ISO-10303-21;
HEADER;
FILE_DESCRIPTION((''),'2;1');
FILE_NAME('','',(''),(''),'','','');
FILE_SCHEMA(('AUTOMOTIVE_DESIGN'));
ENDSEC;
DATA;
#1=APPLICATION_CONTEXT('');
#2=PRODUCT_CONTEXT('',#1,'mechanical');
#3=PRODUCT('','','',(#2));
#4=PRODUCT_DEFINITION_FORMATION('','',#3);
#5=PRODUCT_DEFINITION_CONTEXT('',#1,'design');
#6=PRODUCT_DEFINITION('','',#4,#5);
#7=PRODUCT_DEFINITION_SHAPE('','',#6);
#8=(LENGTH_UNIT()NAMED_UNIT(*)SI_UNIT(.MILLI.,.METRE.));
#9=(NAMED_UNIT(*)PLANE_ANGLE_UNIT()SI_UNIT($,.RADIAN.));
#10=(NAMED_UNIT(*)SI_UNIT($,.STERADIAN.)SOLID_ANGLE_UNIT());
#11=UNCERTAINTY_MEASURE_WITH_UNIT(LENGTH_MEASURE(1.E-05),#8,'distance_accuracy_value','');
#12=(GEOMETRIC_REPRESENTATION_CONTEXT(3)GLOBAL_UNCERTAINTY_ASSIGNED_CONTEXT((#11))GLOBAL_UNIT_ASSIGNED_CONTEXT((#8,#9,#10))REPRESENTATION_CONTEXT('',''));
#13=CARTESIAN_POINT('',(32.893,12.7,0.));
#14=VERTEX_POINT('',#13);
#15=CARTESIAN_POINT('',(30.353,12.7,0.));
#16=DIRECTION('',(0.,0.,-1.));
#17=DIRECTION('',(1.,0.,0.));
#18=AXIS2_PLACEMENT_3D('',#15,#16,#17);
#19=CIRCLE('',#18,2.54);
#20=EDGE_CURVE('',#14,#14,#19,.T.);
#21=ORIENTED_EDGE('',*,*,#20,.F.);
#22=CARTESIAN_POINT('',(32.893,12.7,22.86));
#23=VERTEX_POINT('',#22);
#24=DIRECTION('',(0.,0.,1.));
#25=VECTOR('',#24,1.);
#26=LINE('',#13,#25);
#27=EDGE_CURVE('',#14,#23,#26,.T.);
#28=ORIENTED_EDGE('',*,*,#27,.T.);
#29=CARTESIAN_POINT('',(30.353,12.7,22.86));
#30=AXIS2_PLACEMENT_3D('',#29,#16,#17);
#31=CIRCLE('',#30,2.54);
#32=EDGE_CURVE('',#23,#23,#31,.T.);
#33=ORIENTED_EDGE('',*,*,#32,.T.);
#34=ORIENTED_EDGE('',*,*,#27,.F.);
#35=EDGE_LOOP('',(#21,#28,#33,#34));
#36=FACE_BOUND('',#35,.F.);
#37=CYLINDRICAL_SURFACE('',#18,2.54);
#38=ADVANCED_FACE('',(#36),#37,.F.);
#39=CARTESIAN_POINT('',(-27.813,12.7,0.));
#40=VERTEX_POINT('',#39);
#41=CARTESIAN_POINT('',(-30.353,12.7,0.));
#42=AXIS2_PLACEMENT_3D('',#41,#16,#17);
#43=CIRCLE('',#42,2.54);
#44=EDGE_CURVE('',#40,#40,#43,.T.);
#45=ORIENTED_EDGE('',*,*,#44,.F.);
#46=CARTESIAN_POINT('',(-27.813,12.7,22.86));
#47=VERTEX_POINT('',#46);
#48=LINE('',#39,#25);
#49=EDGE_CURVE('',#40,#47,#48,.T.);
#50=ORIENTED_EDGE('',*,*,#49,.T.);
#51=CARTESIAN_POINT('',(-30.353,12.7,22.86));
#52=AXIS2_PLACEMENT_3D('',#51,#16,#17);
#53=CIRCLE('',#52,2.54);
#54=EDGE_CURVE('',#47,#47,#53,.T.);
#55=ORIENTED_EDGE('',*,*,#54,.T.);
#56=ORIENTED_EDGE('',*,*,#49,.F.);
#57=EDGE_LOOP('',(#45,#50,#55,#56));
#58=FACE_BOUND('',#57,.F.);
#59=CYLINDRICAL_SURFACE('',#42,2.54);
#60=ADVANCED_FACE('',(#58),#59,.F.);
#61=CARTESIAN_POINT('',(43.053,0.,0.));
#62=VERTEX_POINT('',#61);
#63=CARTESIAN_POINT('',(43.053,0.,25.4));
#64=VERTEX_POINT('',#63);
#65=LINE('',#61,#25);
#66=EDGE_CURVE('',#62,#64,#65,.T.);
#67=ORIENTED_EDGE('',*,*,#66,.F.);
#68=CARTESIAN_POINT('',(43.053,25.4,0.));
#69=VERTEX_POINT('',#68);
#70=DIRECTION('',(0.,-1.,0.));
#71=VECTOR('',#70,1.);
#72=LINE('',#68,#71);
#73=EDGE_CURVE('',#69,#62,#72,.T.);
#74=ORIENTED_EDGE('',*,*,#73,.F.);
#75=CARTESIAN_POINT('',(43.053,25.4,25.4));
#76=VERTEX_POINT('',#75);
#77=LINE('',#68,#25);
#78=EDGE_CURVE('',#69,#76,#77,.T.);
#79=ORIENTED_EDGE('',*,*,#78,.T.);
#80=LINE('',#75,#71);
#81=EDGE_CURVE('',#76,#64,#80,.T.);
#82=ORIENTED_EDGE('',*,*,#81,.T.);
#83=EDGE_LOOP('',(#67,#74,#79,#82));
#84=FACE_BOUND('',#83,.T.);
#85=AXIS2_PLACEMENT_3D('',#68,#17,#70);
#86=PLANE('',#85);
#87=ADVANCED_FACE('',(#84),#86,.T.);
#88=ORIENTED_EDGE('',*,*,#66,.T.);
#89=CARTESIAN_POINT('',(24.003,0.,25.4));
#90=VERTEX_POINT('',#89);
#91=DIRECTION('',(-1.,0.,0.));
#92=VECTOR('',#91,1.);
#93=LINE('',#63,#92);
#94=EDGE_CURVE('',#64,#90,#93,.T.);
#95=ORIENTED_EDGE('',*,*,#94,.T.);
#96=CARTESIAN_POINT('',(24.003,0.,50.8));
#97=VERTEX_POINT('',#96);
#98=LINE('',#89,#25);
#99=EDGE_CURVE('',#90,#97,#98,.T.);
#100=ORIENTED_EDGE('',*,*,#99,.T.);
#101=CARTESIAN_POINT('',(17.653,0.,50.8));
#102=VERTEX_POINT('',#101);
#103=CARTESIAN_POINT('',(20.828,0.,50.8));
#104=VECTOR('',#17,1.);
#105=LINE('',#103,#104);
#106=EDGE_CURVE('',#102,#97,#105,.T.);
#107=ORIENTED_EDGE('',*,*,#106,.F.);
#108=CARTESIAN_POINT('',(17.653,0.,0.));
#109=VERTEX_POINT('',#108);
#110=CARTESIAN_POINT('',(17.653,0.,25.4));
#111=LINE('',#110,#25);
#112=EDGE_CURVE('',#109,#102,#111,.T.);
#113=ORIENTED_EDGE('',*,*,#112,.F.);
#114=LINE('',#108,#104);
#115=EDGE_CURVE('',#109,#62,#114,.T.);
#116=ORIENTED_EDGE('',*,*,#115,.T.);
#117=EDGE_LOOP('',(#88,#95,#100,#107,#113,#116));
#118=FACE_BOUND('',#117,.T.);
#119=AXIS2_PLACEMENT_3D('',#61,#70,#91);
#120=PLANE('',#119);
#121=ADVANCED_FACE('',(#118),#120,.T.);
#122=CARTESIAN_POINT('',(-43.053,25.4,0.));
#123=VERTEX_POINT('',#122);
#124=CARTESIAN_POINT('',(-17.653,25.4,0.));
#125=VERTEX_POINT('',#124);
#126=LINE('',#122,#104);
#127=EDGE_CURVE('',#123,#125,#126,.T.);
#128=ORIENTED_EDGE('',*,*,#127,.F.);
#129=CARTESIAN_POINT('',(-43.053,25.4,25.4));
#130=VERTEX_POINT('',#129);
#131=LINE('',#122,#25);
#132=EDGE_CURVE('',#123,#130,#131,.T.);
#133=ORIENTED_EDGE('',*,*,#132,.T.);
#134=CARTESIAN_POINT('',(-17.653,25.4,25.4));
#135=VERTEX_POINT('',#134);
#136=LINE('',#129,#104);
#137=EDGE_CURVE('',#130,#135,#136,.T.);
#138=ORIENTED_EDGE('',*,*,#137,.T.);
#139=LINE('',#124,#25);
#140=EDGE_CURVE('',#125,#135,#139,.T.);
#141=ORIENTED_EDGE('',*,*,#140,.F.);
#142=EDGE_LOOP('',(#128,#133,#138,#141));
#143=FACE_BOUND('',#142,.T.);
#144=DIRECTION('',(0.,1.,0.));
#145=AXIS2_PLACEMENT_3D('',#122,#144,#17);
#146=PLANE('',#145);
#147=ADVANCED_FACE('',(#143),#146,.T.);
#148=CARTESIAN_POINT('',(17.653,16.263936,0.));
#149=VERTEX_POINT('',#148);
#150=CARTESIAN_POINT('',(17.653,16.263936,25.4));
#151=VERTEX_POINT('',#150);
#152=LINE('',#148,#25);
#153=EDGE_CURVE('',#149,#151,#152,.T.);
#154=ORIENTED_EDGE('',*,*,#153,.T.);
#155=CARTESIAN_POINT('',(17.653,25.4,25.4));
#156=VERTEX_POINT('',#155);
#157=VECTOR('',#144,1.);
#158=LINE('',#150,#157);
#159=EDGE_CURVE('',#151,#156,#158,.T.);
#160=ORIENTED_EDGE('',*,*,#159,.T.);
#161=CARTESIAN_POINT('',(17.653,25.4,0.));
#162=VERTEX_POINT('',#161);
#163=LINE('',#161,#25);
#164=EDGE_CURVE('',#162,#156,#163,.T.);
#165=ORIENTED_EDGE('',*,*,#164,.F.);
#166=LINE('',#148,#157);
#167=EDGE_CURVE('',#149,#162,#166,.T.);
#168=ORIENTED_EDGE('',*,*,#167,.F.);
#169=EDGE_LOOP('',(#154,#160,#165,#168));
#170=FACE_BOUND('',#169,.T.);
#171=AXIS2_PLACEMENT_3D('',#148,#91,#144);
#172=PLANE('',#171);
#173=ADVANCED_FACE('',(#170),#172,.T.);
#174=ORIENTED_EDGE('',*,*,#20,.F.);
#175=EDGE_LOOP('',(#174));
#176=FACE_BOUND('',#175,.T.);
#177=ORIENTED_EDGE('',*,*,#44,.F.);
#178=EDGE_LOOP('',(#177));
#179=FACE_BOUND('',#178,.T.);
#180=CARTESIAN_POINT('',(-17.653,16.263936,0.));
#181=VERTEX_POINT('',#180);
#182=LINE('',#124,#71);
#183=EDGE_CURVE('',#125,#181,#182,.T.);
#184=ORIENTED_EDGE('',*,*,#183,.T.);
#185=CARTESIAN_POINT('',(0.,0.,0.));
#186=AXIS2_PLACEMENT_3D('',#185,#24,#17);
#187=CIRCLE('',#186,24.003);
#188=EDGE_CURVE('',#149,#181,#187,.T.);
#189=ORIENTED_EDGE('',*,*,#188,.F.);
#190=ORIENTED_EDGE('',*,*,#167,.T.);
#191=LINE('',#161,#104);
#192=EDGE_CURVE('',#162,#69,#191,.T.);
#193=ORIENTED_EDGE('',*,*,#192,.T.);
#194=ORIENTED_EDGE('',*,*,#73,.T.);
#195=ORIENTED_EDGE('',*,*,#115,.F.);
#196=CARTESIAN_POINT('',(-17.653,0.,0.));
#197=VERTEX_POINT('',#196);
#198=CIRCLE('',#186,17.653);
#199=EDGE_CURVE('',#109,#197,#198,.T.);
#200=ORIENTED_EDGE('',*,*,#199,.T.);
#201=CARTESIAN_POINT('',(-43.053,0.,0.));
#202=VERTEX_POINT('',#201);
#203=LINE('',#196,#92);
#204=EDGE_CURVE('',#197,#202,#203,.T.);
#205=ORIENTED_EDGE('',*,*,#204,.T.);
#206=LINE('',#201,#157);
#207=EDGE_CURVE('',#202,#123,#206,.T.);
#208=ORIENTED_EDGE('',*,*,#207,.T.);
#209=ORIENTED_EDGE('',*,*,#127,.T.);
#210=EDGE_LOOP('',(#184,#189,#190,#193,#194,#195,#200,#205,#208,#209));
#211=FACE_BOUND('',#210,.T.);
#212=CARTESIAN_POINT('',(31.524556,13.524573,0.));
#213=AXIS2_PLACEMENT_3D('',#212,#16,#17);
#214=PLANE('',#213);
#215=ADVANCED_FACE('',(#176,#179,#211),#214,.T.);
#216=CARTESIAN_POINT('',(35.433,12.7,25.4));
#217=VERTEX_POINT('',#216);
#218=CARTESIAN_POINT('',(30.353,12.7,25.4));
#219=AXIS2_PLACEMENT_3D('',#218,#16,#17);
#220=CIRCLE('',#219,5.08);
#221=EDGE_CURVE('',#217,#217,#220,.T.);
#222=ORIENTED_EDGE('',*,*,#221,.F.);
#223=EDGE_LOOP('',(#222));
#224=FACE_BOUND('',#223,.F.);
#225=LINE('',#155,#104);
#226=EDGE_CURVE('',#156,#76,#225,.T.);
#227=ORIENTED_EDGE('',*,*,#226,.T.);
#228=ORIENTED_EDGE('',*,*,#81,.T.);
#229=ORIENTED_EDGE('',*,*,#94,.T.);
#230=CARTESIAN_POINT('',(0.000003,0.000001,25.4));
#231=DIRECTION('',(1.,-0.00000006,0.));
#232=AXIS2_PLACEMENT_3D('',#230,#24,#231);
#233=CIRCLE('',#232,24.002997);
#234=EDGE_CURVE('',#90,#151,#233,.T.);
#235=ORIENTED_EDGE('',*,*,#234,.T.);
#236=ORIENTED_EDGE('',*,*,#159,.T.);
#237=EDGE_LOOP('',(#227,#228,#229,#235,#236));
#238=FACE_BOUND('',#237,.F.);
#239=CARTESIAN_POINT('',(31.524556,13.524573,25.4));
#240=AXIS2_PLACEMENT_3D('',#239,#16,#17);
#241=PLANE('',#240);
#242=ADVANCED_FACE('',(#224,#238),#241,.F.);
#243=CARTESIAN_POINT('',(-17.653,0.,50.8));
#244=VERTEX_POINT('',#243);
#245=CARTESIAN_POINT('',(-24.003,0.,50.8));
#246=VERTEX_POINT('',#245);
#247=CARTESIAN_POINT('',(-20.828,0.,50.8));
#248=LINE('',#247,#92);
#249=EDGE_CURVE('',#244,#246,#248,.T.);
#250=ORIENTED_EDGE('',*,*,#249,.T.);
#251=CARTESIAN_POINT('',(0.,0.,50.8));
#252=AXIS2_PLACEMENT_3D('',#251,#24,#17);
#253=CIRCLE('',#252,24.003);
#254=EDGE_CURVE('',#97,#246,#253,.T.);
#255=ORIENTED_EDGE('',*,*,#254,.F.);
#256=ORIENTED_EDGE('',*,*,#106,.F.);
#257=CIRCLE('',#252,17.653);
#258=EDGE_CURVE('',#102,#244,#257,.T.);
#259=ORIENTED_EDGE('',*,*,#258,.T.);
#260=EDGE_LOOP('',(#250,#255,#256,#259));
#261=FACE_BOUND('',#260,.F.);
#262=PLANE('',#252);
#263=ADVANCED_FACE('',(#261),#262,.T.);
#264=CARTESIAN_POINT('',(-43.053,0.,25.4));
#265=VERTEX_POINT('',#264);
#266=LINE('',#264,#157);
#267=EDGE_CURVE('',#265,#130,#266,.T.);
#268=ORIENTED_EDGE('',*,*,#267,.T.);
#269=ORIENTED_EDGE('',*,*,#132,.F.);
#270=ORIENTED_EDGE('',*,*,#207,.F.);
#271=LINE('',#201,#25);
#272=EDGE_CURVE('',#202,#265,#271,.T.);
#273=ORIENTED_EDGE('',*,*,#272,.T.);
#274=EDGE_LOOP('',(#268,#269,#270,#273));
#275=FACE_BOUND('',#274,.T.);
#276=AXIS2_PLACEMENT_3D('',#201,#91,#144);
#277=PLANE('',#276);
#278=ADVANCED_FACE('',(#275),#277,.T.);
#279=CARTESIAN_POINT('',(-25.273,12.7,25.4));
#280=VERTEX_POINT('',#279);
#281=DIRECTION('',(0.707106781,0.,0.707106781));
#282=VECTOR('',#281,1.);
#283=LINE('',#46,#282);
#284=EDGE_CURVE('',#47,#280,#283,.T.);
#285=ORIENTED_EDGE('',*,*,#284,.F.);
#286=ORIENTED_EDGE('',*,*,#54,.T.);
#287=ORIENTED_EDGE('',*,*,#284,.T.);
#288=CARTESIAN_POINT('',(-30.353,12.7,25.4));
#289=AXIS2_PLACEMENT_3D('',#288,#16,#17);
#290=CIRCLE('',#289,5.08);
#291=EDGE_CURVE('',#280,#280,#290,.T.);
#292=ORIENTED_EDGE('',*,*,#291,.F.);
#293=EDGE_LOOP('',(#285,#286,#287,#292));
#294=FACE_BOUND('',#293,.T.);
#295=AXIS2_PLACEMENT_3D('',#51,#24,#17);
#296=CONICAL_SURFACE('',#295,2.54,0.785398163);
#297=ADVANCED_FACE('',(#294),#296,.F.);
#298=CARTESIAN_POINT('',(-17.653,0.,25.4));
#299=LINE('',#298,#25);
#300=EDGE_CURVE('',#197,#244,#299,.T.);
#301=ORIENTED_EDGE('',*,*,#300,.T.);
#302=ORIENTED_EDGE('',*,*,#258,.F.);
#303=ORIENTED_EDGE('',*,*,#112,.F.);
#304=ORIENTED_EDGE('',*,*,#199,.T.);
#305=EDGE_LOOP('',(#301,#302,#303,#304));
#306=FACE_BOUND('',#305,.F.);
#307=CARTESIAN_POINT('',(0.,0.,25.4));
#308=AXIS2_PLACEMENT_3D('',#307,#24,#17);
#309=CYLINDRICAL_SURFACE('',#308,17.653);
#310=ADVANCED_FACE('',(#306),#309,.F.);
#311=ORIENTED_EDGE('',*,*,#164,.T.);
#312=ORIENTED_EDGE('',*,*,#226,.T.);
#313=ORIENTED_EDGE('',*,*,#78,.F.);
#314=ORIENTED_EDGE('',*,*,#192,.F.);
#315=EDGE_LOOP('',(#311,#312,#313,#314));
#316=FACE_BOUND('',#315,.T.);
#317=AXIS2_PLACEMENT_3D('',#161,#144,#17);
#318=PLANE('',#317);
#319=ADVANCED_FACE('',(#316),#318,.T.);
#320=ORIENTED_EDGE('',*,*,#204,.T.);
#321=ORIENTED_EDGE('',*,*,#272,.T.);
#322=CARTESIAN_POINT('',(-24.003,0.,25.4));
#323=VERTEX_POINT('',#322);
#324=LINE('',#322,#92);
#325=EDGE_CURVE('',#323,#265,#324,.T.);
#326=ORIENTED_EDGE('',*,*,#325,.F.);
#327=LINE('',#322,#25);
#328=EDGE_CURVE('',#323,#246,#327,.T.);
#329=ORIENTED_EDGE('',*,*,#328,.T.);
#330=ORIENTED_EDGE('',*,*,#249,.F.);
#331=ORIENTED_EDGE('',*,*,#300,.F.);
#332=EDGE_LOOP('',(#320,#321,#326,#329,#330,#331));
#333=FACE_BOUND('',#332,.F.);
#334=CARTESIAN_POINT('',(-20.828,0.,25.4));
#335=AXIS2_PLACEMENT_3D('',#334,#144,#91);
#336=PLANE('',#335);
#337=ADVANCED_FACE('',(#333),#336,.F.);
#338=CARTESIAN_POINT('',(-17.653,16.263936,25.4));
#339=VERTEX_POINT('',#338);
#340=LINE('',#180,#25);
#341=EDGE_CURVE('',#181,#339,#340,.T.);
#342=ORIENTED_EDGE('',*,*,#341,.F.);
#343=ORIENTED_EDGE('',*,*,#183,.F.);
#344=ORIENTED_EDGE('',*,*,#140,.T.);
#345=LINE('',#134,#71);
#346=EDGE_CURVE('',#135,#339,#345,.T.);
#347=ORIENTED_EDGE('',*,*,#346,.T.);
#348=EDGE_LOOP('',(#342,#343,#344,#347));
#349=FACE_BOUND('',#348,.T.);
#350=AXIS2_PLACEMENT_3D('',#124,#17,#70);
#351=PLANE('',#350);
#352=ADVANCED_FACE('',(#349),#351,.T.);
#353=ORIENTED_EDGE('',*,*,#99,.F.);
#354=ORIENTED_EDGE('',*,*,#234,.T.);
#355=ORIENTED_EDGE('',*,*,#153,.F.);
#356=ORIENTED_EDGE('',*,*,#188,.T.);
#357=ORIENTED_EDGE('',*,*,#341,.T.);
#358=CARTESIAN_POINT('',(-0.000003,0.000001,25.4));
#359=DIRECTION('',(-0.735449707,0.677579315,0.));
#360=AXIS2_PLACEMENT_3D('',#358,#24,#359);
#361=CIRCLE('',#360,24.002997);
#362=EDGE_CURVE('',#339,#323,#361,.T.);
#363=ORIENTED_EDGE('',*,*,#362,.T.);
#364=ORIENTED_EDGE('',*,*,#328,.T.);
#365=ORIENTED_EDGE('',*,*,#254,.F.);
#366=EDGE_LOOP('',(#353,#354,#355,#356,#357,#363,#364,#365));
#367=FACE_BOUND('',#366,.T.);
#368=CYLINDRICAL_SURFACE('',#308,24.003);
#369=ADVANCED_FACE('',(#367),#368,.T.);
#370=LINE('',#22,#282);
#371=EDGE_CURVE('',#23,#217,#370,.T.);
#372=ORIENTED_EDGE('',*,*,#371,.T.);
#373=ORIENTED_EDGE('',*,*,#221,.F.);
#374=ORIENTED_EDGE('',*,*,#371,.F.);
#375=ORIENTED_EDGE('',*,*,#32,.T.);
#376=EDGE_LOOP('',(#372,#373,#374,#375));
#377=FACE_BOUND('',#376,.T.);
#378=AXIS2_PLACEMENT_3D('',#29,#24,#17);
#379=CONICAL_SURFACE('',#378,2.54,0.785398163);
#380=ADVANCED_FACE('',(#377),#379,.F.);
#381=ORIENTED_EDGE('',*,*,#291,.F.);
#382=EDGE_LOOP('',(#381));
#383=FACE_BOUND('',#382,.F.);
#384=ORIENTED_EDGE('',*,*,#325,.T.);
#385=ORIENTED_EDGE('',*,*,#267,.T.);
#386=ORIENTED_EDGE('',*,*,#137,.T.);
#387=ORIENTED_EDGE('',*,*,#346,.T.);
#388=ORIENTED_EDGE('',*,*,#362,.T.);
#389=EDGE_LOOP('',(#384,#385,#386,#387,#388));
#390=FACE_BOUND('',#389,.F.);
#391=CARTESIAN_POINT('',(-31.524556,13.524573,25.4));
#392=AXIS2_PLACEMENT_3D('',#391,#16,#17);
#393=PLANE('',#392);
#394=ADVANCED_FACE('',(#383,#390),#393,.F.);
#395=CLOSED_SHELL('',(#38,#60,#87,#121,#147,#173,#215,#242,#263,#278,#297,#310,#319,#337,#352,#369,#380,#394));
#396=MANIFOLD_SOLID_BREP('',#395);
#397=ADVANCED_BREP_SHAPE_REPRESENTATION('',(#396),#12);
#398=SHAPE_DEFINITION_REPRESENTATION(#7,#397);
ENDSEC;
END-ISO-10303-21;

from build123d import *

# Parameters (mm, degrees)
F0_W     = 6.35
F0_H     = 50.8
F1_ANGLE = 180
F2_R     = 2.54
F3_DEPTH = 25.4
F4_SIZE  = 2.54


with BuildPart() as f1:
    # F0 (on Front) → F1 (revolve)
    with BuildSketch(Plane.XZ):
        with Locations((20.828, 25.4)):
            Rectangle(F0_W, F0_H)
    revolve(axis=Axis((0, 0, 25.4), (0, 0, 1)), revolution_arc=F1_ANGLE)

    # F2 (on face) → F3 (join)
    with BuildSketch(Plane(origin=(0, 0, 0), x_dir=(1, 0, 0), z_dir=(0, 0, -1))):
        with BuildLine():
            Line((43.053, 0), (24.003, 0))
            ThreePointArc((24.003, 0), (22.359215, -8.729807), (17.653, -16.263936))
            Line((17.653, -16.263936), (17.653, -25.4))
            Line((17.653, -25.4), (43.053, -25.4))
            Line((43.053, -25.4), (43.053, 0))
        make_face()
        with Locations((30.353, -12.7)):
            Circle(F2_R, mode=Mode.SUBTRACT)
        with BuildLine():
            Line((-17.653, -25.4), (-17.653, -16.263936))
            ThreePointArc((-17.653, -16.263936), (-22.359215, -8.729807), (-24.003, 0))
            Line((-24.003, 0), (-43.053, 0))
            Line((-43.053, 0), (-43.053, -25.4))
            Line((-43.053, -25.4), (-17.653, -25.4))
        make_face()
        with Locations((-30.353, -12.7)):
            Circle(F2_R, mode=Mode.SUBTRACT)
    extrude(amount=-F3_DEPTH)

    # F4
    f4_edges = [f1.edges().sort_by_distance(p)[0] for p in [
        (-32.893, 12.7, 25.4),
        (27.813, 12.7, 25.4),
    ]]
    chamfer(f4_edges, length=F4_SIZE)


solid = f1.part
